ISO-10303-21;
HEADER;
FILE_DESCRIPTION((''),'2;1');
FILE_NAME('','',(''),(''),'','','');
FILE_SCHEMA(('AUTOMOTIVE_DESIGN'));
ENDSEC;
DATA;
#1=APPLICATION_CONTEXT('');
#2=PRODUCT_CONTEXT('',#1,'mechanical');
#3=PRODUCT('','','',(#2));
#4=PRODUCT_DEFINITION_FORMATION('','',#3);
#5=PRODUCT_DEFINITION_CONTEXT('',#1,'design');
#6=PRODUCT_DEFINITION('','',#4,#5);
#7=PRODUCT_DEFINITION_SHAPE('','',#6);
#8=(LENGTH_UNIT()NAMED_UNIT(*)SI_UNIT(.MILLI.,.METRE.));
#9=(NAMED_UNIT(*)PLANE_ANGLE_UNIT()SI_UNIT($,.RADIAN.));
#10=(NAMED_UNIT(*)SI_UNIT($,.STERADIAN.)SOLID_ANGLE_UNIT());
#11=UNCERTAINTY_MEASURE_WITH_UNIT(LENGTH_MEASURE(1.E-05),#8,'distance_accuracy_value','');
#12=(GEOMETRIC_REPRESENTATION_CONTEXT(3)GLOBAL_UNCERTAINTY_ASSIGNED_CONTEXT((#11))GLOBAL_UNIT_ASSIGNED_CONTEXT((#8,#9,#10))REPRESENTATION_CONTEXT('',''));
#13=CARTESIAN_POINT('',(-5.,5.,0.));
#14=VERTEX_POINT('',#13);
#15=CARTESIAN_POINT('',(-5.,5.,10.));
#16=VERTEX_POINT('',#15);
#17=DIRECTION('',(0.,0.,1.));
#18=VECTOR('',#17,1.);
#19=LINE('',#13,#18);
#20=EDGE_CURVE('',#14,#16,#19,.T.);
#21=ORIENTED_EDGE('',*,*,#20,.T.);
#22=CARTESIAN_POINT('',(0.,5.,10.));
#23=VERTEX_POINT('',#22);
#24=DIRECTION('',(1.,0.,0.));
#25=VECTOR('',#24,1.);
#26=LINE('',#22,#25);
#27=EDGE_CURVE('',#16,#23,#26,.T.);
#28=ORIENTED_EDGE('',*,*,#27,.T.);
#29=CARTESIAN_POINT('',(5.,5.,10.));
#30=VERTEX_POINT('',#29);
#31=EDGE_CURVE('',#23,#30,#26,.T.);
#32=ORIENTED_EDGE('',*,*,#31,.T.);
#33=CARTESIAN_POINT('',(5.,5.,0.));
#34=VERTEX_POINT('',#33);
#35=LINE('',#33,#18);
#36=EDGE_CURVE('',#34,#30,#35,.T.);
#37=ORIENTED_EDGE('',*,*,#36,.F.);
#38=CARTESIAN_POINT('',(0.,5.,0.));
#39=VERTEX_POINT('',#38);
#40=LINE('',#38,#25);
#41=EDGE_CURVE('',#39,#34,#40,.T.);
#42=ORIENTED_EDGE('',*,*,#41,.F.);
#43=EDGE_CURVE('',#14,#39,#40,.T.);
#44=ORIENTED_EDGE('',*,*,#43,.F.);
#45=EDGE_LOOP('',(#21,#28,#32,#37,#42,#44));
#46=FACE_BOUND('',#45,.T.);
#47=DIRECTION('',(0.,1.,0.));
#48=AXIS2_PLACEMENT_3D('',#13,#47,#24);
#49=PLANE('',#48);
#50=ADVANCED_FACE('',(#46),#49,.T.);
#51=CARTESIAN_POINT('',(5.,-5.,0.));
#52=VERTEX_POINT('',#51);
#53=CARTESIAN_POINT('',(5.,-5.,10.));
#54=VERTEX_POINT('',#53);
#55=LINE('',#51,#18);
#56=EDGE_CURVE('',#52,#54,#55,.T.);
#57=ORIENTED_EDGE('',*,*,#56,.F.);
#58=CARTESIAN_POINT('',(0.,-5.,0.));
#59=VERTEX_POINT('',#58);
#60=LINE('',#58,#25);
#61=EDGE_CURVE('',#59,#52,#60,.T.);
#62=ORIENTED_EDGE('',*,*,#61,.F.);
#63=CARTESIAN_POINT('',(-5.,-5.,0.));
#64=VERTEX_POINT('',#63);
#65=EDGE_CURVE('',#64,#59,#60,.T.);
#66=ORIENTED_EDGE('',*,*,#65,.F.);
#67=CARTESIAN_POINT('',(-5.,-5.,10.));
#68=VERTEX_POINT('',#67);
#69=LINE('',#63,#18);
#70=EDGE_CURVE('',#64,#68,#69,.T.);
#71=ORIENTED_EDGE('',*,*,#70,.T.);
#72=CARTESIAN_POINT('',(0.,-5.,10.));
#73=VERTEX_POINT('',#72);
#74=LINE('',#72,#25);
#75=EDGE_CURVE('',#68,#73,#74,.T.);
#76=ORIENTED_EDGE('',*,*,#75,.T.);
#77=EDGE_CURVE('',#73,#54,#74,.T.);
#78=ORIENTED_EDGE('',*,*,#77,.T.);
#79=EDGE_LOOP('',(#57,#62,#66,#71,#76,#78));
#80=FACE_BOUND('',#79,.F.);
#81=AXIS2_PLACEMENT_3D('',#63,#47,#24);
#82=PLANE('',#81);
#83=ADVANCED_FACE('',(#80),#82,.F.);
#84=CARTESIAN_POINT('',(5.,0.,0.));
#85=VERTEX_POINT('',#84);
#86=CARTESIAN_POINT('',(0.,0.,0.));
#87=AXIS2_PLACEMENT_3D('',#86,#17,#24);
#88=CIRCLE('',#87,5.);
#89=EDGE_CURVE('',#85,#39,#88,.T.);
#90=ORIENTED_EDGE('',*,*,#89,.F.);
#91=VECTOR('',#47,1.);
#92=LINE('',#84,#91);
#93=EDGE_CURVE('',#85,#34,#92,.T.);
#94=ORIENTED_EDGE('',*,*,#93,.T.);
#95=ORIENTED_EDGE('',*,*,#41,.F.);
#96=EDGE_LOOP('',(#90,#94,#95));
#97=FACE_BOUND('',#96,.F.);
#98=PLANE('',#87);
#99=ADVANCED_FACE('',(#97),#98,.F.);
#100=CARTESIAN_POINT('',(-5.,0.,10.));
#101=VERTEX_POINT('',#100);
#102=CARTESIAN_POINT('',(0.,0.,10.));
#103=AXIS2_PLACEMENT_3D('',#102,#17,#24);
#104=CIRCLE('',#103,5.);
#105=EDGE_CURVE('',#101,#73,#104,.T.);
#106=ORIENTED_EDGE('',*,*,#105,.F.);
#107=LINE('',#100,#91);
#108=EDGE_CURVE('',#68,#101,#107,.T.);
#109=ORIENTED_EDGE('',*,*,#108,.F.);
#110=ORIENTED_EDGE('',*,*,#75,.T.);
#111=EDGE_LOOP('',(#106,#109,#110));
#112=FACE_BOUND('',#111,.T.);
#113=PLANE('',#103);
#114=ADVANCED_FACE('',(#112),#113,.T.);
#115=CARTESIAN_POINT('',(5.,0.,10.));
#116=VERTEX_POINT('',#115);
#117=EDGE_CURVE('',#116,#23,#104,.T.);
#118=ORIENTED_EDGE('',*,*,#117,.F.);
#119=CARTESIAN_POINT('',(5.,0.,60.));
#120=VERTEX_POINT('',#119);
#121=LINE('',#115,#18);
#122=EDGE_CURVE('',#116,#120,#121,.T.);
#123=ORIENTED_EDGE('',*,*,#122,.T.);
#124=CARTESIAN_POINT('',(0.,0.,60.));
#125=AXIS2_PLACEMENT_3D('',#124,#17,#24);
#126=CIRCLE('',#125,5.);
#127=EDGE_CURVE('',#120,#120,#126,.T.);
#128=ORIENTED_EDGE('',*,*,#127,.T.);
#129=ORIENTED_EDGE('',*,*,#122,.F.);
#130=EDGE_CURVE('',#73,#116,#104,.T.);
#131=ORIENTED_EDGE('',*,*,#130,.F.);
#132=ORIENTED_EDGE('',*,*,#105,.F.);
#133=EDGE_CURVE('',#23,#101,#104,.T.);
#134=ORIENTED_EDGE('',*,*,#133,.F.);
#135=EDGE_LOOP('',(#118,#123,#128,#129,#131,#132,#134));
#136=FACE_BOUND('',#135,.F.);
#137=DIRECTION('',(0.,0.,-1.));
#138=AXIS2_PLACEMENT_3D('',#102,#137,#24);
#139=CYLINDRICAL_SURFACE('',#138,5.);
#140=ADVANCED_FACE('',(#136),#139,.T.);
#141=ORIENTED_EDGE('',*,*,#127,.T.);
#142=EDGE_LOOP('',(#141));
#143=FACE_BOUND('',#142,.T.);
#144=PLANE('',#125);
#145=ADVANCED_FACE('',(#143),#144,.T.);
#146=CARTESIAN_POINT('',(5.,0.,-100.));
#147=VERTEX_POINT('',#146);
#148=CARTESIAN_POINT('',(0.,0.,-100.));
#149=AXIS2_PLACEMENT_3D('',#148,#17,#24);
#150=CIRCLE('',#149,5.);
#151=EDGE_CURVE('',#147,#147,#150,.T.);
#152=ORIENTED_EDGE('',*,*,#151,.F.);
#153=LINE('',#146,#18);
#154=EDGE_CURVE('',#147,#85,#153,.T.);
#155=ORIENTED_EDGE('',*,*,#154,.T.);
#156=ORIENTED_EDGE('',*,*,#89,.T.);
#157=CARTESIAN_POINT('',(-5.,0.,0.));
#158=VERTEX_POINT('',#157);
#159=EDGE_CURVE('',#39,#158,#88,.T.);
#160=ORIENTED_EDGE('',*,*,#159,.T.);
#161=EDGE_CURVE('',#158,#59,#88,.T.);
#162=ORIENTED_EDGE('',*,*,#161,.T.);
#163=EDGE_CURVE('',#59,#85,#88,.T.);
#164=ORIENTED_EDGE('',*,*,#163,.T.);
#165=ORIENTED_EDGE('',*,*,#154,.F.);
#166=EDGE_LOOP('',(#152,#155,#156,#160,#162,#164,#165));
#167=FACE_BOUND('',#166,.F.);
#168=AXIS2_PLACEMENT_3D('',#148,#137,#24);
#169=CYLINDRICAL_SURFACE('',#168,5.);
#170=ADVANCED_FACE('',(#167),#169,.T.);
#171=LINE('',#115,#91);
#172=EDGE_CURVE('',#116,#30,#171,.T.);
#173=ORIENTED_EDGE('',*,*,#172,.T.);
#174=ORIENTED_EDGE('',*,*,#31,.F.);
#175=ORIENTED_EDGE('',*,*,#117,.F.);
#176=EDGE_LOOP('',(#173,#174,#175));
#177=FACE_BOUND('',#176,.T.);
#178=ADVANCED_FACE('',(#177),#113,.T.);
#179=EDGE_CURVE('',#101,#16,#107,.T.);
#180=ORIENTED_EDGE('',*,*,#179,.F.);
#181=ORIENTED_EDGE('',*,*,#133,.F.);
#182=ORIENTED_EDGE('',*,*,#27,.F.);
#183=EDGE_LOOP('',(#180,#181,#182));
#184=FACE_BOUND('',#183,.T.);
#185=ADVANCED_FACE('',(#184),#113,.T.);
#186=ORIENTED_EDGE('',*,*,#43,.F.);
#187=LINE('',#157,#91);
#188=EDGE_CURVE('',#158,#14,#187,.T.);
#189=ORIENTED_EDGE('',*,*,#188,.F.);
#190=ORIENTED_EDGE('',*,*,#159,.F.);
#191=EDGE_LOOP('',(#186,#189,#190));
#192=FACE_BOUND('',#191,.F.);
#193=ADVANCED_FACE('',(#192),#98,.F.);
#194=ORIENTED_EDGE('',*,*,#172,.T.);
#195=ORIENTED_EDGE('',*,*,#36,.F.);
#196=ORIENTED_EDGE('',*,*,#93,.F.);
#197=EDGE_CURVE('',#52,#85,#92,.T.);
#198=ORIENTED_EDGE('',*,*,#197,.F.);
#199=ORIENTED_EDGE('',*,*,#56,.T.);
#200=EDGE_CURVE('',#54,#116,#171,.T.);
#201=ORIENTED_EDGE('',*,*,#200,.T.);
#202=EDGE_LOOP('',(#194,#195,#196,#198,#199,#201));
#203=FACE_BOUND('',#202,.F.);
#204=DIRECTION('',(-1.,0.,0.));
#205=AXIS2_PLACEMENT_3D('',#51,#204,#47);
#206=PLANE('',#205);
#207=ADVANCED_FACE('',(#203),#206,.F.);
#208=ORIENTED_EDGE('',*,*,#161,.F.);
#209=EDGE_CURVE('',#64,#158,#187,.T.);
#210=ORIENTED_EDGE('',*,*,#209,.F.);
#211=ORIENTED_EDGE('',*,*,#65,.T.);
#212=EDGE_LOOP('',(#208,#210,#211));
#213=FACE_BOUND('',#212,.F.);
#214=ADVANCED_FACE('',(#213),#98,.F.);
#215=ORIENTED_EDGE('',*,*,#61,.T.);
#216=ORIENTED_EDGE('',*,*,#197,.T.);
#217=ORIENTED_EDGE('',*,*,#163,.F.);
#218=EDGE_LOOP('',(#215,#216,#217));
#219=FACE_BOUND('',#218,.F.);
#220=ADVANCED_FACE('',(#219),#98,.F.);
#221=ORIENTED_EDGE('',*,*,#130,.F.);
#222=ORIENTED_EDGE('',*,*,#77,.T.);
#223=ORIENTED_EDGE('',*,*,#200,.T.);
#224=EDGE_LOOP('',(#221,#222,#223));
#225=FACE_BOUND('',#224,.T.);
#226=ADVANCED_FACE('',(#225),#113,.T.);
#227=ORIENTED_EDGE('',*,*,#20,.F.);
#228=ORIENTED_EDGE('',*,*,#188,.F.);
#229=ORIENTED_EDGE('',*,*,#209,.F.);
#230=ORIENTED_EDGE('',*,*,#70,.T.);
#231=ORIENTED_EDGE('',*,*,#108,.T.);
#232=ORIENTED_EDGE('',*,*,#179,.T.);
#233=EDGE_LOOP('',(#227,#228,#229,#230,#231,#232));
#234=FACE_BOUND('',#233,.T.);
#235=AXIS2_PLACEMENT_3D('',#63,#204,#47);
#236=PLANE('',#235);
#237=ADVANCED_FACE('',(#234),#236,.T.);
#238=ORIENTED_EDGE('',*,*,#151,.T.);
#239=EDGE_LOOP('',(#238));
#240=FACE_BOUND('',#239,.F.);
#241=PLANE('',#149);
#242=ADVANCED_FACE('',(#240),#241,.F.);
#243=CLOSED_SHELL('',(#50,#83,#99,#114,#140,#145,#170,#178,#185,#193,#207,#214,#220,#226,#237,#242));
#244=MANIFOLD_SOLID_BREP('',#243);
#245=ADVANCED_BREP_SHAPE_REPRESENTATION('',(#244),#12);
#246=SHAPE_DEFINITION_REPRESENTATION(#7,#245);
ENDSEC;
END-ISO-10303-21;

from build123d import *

# Parameters (mm, degrees)
CYLINDER_R        = 5
CYLINDER_DEPTH    = 50
BOX_W             = 10
BOX_H             = 10
BOX_DEPTH         = 10
CYLINDER001_R     = 5
CYLINDER001_DEPTH = 100


with BuildPart() as cylinder:
    # Cylinder → Cylinder (new body)
    with BuildSketch(Plane(origin=(5, 5, 10), x_dir=(1, 0, 0), z_dir=(0, 0, 1))):
        Circle(CYLINDER_R)
    extrude(amount=CYLINDER_DEPTH)


with BuildPart() as box:
    # Box → Box (new body)
    with BuildSketch(Plane.XY):
        with Locations((5, 5)):
            Rectangle(BOX_W, BOX_H)
    extrude(amount=BOX_DEPTH)


with BuildPart() as fusion:
    # Cylinder001 → Cylinder001 (new body)
    with BuildSketch(Plane(origin=(5, 5, -100), x_dir=(1, 0, 0), z_dir=(0, 0, 1))):
        Circle(CYLINDER001_R)
    extrude(amount=CYLINDER001_DEPTH)

    # Fusion: union Cylinder, Box
    add(cylinder.part)
    add(box.part)


with BuildPart() as fusion_1:
    # Fusion placement: moved
    add(fusion.part.moved(Location((-5, -5, 0))))


solid = fusion_1.part
